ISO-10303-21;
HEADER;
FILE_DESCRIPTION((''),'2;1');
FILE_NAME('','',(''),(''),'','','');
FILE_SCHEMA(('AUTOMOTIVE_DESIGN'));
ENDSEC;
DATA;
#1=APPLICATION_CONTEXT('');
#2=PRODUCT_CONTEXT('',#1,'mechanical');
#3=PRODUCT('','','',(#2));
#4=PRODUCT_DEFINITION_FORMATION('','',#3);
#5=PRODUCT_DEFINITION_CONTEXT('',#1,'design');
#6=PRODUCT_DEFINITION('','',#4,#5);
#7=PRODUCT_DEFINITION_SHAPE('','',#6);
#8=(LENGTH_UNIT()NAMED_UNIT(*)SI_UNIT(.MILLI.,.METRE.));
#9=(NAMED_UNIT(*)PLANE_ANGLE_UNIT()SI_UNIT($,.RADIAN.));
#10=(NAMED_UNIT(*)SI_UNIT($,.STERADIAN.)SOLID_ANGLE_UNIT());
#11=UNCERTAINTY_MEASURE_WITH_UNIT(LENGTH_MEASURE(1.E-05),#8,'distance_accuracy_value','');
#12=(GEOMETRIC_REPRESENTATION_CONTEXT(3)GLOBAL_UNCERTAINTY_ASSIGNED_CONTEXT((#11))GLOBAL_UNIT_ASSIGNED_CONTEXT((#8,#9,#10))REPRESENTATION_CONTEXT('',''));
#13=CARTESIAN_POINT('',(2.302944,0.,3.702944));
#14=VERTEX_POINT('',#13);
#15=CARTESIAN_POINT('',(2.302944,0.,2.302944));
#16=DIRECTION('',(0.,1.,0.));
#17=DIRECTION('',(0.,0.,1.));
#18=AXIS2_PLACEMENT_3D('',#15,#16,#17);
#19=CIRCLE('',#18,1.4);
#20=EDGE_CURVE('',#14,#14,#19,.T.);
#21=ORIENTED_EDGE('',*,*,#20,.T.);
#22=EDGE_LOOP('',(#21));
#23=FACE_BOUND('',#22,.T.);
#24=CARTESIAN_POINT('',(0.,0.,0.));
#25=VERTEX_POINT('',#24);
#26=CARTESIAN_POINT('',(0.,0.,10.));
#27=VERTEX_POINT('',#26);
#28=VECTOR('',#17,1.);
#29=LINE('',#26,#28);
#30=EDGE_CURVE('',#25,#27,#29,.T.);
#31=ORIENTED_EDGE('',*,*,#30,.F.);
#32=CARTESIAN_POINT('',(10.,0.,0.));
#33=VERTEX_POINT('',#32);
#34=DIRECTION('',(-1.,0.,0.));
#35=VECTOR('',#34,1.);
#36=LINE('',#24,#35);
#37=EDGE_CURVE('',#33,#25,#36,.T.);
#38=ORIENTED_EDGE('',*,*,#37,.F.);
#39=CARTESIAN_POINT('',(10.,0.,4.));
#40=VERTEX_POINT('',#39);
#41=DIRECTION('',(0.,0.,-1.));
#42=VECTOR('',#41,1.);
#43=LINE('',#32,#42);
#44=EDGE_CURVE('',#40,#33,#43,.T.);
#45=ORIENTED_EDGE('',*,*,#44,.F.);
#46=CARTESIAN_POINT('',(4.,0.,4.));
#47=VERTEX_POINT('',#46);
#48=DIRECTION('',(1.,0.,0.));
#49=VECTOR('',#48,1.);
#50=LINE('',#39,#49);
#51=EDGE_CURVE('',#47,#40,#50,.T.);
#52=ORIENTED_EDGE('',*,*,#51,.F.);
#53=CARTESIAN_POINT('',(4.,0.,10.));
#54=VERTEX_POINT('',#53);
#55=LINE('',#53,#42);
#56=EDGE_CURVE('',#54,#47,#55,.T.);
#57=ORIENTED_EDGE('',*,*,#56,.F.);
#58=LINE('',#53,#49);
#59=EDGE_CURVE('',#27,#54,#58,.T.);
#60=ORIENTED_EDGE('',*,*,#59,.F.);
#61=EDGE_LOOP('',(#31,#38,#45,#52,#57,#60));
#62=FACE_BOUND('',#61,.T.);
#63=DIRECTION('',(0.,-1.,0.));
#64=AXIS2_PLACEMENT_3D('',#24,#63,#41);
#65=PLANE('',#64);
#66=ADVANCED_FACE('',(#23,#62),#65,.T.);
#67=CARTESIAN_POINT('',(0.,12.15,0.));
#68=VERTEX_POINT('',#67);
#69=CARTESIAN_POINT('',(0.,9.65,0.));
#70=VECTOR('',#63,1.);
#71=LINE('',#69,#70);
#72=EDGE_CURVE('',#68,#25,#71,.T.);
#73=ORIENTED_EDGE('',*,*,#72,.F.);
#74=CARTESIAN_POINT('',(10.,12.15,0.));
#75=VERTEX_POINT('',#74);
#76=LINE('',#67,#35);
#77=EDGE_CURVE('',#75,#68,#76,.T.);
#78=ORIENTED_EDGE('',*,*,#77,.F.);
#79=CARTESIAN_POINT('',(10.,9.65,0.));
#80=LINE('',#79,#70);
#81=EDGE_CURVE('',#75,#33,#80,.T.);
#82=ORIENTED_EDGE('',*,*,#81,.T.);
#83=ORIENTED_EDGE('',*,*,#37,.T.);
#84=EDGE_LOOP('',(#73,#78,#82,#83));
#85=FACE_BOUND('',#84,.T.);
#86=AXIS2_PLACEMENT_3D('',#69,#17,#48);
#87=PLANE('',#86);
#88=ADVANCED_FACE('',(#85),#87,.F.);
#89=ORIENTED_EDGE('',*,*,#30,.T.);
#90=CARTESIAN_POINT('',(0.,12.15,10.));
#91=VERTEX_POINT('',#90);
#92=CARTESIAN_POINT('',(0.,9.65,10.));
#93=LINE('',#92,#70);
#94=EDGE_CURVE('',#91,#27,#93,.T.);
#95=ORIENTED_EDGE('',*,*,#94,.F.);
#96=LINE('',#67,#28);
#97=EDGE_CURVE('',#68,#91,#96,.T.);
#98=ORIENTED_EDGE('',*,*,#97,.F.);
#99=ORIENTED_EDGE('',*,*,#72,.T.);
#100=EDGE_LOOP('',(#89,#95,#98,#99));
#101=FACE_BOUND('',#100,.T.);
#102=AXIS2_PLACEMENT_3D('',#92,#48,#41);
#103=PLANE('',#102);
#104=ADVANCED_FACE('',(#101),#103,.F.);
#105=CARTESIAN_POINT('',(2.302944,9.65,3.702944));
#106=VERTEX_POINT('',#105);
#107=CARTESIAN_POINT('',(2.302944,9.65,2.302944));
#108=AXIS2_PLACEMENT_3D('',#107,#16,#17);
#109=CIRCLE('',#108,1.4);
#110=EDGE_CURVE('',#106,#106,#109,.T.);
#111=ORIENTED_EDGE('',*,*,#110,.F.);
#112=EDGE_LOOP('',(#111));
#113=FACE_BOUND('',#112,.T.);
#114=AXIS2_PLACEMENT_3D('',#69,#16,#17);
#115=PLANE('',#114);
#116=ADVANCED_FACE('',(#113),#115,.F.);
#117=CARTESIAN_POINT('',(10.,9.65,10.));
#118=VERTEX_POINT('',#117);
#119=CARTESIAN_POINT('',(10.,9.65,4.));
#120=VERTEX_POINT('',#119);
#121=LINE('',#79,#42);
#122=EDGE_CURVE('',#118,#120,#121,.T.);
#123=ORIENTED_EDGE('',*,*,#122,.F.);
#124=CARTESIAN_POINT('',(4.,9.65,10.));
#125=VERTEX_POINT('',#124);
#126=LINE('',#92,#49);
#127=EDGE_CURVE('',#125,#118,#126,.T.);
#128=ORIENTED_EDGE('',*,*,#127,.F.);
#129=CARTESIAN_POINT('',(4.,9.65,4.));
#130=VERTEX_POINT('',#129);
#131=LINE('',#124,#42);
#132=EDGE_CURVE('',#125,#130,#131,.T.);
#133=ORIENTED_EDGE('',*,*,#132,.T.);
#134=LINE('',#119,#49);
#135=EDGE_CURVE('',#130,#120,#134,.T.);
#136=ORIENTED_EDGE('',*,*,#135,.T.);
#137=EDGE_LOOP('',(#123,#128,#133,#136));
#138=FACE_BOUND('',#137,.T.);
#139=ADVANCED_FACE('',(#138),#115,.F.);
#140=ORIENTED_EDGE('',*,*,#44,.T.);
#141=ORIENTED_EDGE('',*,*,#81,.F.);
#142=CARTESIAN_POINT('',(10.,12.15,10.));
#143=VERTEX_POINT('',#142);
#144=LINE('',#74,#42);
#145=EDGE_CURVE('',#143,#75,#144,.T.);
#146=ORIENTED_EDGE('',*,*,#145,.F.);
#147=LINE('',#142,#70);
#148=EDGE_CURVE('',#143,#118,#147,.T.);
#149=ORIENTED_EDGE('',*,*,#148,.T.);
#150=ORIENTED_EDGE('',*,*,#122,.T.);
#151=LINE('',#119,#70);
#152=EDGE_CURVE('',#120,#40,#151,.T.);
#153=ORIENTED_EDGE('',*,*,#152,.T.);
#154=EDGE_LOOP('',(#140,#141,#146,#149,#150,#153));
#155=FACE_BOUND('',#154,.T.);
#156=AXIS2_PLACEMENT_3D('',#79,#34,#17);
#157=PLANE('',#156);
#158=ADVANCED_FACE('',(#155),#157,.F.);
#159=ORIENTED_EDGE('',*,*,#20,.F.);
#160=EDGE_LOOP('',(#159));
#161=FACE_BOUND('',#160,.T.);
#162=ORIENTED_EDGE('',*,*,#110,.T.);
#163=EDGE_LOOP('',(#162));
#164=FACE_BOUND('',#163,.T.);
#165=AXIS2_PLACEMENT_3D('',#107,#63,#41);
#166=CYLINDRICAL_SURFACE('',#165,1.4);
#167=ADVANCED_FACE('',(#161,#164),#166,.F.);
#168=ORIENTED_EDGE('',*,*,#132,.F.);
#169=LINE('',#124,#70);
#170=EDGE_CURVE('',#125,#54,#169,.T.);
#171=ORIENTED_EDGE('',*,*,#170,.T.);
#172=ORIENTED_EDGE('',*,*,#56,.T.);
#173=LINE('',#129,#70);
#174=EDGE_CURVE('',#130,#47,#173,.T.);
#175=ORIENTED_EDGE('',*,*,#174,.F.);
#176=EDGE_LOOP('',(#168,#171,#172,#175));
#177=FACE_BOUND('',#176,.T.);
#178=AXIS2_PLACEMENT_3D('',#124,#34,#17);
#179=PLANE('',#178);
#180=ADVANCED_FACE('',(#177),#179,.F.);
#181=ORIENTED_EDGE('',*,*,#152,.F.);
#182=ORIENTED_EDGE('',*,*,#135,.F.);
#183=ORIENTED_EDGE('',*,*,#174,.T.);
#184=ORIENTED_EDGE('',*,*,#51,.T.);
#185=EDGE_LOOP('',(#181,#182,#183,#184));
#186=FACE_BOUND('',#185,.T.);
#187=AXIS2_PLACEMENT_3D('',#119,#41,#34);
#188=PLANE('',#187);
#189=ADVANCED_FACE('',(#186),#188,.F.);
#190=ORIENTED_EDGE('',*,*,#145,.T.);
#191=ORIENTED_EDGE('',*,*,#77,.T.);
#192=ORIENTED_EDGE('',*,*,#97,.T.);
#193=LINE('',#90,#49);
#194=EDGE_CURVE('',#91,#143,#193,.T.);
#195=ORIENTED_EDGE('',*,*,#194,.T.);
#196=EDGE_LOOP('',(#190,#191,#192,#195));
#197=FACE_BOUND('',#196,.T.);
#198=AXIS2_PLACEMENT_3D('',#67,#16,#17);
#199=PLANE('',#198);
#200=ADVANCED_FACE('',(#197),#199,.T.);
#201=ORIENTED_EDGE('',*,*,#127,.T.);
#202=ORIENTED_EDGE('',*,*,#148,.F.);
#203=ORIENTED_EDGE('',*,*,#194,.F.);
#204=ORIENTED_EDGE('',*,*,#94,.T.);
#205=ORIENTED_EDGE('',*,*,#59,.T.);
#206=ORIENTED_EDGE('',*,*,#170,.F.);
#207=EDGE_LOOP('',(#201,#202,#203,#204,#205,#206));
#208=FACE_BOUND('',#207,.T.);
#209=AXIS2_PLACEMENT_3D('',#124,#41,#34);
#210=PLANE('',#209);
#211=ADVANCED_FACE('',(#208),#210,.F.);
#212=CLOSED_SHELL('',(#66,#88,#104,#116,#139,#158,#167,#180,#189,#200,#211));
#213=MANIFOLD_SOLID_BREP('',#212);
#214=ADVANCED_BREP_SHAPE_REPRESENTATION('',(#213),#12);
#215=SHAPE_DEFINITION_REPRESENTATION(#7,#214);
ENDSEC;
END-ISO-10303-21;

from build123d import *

# Parameters (mm, degrees)
SKETCH1_R           = 1.4
BOSS_EXTRUDE1_DEPTH = 9.65
SKETCH2_W           = 10
SKETCH2_H           = 10
BOSS_EXTRUDE2_DEPTH = 2.5


with BuildPart() as part:
    # Sketch1 → Boss-Extrude1 (new body)
    with BuildSketch(Plane(origin=(0, 0, 0), x_dir=(1, 0, 0), z_dir=(0, 1, 0))):
        Polygon((0, 0), (10, 0), (10, -4), (4, -4), (4, -10), (0, -10), align=None)
        with Locations(Location((2.302943725, -2.302943725, 0), (0, 0, 270))):
            Circle(SKETCH1_R, mode=Mode.SUBTRACT)
    extrude(amount=BOSS_EXTRUDE1_DEPTH)

    # Sketch2 → Boss-Extrude2 (add)
    with BuildSketch(Plane(origin=(0, 9.65, 0), x_dir=(1, 0, 0), z_dir=(0, 1, 0))):
        with Locations((5, -5)):
            Rectangle(SKETCH2_W, SKETCH2_H)
    extrude(amount=BOSS_EXTRUDE2_DEPTH)


solid = part.part
